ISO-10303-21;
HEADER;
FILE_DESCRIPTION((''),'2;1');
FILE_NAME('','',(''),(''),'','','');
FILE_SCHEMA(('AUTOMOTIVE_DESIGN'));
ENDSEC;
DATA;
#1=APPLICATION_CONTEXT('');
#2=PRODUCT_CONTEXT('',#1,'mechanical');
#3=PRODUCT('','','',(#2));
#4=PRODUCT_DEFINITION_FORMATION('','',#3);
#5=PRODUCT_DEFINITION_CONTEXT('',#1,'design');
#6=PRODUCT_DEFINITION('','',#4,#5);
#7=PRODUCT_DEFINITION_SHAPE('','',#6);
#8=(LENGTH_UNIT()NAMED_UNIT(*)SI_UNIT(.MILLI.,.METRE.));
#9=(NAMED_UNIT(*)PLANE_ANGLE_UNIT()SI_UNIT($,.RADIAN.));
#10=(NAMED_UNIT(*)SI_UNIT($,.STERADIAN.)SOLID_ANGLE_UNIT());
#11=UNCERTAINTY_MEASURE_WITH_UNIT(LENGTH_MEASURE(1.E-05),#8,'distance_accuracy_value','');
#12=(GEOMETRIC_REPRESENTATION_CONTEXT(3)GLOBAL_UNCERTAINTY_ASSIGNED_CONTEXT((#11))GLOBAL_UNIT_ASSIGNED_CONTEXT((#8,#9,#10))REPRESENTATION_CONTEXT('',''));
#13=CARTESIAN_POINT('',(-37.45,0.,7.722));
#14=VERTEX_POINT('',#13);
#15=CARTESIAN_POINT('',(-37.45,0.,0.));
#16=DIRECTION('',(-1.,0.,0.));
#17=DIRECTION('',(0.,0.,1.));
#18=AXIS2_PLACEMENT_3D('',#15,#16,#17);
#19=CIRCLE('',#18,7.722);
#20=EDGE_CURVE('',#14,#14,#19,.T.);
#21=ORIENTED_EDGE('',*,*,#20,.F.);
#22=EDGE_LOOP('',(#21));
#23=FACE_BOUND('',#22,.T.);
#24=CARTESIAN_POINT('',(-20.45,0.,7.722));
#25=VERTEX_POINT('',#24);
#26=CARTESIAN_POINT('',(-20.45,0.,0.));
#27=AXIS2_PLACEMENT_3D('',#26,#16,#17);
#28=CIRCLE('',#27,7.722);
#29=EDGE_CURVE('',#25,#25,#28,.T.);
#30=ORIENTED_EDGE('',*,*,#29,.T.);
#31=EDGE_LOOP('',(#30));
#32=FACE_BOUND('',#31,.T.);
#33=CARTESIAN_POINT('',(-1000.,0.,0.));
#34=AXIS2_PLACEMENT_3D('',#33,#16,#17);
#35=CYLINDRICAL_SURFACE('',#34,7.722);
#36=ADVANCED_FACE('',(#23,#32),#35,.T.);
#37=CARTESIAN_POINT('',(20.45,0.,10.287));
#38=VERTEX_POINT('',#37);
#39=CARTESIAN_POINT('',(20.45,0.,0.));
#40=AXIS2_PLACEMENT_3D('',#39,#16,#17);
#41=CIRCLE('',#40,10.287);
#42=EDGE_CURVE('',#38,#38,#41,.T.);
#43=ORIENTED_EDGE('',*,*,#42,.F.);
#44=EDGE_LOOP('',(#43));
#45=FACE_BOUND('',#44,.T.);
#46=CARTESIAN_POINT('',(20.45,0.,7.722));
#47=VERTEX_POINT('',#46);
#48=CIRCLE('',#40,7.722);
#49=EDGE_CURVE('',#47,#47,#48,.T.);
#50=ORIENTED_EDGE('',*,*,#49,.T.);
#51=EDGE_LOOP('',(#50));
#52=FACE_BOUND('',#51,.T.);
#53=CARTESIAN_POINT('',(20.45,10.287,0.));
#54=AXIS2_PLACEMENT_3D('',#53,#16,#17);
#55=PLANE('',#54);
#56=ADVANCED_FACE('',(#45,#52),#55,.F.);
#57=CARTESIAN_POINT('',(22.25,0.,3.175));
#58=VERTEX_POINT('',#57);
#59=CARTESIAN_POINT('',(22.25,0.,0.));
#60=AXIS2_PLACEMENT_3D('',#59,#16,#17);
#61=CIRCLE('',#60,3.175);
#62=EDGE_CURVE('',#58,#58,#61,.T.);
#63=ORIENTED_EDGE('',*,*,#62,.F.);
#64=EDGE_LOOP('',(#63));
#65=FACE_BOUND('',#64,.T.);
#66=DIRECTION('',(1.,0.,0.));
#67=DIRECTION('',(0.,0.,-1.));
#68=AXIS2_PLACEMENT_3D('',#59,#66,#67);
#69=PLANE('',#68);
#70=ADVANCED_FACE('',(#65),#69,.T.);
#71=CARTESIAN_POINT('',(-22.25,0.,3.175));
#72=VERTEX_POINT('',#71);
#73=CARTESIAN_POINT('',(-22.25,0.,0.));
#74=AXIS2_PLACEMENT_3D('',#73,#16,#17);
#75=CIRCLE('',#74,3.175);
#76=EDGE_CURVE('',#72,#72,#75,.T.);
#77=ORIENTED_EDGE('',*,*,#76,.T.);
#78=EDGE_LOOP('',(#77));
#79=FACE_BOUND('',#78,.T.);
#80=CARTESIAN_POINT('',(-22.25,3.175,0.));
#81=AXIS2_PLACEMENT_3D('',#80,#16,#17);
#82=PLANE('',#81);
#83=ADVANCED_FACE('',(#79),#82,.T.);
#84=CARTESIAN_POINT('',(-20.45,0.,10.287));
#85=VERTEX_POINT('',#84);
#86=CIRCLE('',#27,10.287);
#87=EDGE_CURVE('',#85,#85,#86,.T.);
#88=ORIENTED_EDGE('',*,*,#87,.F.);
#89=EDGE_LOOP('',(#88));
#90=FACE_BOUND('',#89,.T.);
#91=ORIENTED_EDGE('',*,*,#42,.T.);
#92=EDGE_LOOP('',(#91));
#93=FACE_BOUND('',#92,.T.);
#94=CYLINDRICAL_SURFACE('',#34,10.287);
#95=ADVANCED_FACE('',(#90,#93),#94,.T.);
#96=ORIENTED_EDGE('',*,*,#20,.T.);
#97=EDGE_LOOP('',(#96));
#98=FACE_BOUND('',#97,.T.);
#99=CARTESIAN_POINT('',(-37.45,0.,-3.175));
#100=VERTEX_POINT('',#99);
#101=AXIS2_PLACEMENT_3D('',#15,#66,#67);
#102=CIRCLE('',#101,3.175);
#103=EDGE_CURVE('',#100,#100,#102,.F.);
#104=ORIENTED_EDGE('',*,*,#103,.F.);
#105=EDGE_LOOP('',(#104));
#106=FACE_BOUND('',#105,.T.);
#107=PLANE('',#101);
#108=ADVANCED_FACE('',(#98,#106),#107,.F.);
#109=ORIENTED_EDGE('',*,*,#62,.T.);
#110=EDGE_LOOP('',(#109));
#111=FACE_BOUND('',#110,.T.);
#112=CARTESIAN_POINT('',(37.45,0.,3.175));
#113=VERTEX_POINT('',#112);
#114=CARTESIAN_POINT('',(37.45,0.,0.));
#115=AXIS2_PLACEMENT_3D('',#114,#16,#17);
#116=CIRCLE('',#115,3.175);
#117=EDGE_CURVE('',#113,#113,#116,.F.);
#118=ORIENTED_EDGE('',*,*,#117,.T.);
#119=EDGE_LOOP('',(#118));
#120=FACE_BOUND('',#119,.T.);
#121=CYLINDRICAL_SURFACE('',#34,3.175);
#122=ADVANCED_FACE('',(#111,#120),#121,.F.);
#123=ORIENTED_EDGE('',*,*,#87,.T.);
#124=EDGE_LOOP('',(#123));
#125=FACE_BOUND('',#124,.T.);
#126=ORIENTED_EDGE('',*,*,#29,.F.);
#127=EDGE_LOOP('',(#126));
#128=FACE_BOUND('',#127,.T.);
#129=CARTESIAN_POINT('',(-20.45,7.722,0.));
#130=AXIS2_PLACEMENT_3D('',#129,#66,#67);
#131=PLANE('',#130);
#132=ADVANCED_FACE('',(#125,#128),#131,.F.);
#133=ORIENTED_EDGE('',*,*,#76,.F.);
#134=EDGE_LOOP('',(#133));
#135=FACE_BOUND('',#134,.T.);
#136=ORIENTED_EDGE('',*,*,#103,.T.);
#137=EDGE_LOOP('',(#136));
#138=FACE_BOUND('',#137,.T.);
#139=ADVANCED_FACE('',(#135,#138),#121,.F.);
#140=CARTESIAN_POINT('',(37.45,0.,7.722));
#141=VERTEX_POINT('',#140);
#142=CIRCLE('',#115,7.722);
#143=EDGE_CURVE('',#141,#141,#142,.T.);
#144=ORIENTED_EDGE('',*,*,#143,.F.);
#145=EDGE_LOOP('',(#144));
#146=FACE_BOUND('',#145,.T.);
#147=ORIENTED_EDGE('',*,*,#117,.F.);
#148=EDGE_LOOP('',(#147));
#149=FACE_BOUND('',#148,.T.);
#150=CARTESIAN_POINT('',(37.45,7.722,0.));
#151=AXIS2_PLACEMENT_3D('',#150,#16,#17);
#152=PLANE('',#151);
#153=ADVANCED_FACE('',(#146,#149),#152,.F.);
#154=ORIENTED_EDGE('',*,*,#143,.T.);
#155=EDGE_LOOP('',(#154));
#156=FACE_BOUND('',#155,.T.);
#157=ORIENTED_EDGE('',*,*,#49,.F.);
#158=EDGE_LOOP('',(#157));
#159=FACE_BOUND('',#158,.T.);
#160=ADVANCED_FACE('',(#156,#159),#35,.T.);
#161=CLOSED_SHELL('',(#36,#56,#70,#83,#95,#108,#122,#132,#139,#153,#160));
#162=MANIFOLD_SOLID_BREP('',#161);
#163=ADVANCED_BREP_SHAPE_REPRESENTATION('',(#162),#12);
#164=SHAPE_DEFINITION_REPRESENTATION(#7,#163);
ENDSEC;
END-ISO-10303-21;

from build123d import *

# Parameters (mm, degrees)
SOCKET_1_SKETCH_W = 16.2
SOCKET_1_SKETCH_H = 3.175
SOCKET_2_SKETCH_W = 16.2
SOCKET_2_SKETCH_H = 3.175


with BuildPart() as part:
    # Filter_F2 Sketch → Filter_F2 (revolve)
    with BuildSketch(Plane.XY):
        Polygon((-37.45, 0), (-37.45, 7.722), (-20.45, 7.722), (-20.45, 10.287), (20.45, 10.287), (20.45, 7.722), (37.45, 7.722), (37.45, 0), align=None)
    revolve(axis=Axis((-1000, 0, 0), (1, 0, 0)))

    # Socket 1 Sketch → Socket 1 (revolve, cut)
    with BuildSketch(Plane.XY):
        with Locations((-30.35, 1.5875)):
            Rectangle(SOCKET_1_SKETCH_W, SOCKET_1_SKETCH_H)
    revolve(axis=Axis((-1000, 0, 0), (1, 0, 0)), mode=Mode.SUBTRACT)

    # Socket 2 Sketch → Socket 2 (revolve, cut)
    with BuildSketch(Plane.XY):
        with Locations((30.35, 1.5875)):
            Rectangle(SOCKET_2_SKETCH_W, SOCKET_2_SKETCH_H)
    revolve(axis=Axis((-1000, 0, 0), (1, 0, 0)), mode=Mode.SUBTRACT)


solid = part.part
